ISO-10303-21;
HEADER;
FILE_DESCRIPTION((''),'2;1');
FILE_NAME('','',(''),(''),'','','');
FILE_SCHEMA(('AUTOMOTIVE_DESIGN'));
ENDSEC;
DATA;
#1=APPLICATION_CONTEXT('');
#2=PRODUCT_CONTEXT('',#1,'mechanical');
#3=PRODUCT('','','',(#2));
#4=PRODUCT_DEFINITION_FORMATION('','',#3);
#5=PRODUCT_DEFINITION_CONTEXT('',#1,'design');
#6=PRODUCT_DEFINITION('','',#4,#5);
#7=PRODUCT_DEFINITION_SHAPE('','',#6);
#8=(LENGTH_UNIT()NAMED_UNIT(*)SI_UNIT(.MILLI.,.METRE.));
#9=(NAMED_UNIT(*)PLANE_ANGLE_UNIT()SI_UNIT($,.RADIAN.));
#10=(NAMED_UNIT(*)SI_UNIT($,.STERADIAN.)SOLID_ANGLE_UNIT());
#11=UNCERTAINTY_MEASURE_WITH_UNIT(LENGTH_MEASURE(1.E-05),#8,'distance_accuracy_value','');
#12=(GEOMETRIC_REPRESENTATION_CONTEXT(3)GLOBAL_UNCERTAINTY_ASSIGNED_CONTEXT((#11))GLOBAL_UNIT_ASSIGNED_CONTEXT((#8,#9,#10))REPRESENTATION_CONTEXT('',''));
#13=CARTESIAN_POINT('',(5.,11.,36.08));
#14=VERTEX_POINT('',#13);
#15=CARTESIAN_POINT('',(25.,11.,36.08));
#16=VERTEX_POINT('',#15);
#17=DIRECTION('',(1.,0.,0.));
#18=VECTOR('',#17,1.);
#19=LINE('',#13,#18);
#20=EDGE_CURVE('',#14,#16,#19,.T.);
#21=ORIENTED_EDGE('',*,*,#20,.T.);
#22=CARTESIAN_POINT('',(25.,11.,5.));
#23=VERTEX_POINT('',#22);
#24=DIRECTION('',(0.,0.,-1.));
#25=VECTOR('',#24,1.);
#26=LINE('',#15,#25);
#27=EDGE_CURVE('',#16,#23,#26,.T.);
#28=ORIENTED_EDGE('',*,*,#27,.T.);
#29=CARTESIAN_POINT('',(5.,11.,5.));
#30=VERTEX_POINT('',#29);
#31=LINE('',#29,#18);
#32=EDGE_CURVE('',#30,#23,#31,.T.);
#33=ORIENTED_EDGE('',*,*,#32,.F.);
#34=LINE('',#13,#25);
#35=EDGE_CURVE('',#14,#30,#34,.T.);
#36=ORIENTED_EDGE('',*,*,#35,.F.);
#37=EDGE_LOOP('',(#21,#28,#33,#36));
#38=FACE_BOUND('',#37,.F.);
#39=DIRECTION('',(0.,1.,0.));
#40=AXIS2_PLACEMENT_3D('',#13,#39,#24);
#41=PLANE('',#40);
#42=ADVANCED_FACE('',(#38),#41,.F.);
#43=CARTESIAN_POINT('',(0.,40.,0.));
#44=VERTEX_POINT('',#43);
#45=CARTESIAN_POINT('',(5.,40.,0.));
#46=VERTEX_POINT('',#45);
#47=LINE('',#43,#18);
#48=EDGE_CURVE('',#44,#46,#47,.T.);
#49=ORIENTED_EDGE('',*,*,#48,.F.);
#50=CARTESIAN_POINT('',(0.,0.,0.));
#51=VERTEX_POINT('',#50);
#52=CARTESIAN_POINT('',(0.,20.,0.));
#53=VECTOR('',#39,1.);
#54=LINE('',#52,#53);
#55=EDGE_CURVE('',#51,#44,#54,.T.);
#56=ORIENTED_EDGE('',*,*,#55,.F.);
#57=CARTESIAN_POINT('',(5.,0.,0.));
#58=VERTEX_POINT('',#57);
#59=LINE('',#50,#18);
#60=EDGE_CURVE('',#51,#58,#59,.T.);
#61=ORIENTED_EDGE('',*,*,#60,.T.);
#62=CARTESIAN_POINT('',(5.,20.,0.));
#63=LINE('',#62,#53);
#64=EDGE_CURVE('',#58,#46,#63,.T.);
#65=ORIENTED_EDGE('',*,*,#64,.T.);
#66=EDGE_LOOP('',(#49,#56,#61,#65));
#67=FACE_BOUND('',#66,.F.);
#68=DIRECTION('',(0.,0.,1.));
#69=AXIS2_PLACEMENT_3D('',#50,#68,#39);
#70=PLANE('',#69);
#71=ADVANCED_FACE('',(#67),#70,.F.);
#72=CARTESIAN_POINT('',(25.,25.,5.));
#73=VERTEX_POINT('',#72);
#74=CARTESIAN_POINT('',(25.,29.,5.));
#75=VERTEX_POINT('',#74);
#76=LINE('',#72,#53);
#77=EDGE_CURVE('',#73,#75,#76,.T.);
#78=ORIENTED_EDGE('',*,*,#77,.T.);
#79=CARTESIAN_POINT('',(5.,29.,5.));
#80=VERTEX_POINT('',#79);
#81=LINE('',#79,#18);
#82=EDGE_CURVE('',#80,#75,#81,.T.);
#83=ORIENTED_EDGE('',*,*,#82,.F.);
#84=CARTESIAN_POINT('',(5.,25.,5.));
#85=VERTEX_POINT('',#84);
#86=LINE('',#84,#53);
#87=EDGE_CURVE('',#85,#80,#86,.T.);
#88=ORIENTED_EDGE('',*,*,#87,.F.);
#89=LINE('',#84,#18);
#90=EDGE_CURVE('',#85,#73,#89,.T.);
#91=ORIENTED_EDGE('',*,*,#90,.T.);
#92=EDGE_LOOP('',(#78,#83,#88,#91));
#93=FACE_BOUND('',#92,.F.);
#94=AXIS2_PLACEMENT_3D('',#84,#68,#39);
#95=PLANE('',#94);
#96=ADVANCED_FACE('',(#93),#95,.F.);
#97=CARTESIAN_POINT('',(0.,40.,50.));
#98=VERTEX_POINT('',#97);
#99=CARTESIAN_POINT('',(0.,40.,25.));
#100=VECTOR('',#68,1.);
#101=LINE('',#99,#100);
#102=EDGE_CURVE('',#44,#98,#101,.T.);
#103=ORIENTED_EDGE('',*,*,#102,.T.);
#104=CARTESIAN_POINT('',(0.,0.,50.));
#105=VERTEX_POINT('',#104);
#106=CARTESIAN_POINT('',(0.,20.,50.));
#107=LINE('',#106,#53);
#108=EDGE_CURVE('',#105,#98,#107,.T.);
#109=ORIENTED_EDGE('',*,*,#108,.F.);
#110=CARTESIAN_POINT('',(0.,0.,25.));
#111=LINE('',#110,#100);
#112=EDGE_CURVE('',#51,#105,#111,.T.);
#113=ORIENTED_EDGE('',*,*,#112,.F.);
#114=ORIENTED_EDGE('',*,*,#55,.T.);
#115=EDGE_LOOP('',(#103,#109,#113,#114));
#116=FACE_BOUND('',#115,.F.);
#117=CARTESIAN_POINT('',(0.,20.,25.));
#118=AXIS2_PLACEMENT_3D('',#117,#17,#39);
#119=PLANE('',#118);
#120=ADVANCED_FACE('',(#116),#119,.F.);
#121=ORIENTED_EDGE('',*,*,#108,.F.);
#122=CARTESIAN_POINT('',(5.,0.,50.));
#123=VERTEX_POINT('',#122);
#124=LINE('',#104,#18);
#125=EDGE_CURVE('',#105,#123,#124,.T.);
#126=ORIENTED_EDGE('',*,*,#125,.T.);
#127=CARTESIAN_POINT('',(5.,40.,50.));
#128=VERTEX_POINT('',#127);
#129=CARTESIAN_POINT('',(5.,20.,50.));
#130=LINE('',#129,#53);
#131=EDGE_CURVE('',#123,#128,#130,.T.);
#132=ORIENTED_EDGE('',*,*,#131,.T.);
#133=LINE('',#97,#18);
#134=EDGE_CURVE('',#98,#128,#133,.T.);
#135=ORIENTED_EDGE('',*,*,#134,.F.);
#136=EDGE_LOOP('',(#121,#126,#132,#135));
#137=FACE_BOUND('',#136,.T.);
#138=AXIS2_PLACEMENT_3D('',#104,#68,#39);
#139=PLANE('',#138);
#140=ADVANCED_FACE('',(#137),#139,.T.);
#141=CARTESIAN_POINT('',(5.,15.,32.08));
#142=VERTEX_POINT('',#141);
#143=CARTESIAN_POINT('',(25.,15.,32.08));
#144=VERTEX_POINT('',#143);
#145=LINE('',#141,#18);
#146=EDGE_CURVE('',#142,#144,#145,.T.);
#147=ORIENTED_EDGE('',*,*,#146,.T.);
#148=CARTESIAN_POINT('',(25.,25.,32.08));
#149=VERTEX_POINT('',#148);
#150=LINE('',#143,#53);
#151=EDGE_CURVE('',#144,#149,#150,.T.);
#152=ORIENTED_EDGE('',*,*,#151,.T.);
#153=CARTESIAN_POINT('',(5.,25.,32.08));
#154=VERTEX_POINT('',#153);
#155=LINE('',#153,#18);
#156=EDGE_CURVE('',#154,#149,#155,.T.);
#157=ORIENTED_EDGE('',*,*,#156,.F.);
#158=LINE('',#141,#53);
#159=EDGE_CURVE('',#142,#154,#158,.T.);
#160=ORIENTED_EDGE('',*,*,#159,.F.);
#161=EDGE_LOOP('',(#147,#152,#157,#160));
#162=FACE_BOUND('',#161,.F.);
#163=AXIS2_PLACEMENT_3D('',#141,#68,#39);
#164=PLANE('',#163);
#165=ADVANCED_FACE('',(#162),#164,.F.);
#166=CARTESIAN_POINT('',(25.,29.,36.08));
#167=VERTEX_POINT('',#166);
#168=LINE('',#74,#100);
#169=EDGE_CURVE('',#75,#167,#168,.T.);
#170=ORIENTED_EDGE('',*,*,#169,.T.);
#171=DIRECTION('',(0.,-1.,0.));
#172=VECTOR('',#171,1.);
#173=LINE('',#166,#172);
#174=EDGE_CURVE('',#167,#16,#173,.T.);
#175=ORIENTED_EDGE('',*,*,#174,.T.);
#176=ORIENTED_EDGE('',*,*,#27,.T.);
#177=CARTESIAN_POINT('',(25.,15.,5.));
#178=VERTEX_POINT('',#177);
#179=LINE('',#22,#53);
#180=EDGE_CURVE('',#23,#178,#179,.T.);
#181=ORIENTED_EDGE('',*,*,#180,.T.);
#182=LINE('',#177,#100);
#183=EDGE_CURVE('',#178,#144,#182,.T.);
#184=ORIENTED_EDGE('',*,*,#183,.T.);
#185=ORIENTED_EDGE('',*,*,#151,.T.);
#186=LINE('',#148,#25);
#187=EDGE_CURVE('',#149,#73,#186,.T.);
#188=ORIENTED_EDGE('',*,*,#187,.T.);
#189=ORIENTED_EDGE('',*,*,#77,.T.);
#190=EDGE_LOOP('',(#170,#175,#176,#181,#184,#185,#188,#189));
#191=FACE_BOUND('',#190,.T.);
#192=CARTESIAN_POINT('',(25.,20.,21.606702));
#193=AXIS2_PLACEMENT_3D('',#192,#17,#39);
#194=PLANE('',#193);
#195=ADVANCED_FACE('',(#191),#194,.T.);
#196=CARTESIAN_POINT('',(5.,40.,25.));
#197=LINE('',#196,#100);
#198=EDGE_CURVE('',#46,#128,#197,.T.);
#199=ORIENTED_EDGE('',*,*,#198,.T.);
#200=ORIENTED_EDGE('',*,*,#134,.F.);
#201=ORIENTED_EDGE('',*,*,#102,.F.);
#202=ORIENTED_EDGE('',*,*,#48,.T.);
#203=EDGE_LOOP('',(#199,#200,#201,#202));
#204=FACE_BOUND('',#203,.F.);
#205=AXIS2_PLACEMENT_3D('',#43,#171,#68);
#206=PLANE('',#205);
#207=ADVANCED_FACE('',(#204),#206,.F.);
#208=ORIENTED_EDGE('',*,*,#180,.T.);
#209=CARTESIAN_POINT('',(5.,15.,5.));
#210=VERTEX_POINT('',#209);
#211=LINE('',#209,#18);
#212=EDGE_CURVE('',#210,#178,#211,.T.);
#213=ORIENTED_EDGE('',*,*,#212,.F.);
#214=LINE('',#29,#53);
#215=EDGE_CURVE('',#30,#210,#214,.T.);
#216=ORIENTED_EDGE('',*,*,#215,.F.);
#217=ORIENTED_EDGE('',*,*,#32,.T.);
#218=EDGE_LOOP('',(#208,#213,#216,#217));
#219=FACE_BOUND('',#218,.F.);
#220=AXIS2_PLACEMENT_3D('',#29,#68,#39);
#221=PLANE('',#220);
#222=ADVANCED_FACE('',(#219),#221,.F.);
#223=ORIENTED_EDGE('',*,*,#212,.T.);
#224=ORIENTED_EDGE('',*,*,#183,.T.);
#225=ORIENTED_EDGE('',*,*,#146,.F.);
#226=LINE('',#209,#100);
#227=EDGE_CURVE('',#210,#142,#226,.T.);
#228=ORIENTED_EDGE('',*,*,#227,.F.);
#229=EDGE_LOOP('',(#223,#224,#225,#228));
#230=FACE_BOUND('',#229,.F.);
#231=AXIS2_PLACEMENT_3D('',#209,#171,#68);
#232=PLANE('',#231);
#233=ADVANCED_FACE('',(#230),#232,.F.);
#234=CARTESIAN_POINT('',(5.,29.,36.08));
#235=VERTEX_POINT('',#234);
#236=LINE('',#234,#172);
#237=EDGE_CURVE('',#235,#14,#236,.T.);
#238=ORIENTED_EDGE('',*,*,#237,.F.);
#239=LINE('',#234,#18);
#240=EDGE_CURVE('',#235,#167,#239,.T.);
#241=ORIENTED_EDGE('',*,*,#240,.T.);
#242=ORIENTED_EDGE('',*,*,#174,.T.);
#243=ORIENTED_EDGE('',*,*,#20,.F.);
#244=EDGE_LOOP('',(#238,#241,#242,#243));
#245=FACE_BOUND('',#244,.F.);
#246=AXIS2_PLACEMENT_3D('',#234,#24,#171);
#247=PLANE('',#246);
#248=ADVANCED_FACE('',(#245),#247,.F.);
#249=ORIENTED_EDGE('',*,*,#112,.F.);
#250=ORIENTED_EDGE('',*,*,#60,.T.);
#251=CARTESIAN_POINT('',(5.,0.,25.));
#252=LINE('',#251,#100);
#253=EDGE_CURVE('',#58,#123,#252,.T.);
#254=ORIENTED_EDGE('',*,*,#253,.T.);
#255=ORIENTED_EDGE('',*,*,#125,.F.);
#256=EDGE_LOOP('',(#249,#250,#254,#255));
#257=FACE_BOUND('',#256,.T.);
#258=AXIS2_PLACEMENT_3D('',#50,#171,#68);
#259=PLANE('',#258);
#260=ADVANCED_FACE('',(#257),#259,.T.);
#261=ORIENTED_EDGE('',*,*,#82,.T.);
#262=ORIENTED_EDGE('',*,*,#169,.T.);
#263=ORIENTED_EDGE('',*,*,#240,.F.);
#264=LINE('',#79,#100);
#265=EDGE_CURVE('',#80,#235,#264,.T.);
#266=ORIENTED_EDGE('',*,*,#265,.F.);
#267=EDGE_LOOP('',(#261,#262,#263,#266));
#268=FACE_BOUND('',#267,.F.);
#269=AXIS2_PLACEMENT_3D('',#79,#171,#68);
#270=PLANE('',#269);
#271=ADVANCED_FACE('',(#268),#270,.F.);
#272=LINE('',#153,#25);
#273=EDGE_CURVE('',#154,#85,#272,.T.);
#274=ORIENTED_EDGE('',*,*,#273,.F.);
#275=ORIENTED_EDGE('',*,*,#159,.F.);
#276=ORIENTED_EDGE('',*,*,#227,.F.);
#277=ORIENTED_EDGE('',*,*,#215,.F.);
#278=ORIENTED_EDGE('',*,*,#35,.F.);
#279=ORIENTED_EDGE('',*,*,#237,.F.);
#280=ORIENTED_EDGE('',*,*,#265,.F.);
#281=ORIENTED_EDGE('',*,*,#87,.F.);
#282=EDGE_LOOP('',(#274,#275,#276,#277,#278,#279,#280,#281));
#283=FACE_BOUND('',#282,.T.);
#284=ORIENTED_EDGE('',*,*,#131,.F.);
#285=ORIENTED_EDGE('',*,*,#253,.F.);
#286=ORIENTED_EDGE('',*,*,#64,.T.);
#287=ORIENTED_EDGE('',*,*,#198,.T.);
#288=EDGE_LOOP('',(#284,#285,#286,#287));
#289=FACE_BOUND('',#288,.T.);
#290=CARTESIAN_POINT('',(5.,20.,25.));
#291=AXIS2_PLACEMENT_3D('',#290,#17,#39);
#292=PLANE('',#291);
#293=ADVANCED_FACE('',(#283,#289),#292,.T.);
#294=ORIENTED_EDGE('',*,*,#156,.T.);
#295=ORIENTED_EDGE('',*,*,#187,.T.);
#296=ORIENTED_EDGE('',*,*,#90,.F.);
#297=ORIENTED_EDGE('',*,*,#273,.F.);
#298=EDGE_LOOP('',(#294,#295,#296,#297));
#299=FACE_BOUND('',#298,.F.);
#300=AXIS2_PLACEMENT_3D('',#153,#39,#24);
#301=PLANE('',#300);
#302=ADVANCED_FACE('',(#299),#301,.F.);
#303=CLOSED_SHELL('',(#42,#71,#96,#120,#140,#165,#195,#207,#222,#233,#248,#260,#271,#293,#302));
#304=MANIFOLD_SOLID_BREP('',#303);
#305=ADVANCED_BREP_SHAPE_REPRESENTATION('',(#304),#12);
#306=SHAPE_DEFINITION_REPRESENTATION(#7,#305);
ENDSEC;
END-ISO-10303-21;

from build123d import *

# Parameters (mm, degrees)
F0_W     = 40
F0_H     = 50
F1_DEPTH = 5
F3_DEPTH = 20


with BuildPart() as f1:
    # F0 (on Right) → F1 (new body)
    with BuildSketch(Plane.YZ):
        with Locations((20, 25)):
            Rectangle(F0_W, F0_H)
    extrude(amount=F1_DEPTH)

    # F2 (on face) → F3 (join)
    with BuildSketch(Plane.YZ.offset(5)):
        Polygon((11, 36.08), (11, 5), (15, 5), (15, 32.08), (25, 32.08), (25, 5), (29, 5), (29, 36.08), align=None)
    extrude(amount=F3_DEPTH)


solid = f1.part
